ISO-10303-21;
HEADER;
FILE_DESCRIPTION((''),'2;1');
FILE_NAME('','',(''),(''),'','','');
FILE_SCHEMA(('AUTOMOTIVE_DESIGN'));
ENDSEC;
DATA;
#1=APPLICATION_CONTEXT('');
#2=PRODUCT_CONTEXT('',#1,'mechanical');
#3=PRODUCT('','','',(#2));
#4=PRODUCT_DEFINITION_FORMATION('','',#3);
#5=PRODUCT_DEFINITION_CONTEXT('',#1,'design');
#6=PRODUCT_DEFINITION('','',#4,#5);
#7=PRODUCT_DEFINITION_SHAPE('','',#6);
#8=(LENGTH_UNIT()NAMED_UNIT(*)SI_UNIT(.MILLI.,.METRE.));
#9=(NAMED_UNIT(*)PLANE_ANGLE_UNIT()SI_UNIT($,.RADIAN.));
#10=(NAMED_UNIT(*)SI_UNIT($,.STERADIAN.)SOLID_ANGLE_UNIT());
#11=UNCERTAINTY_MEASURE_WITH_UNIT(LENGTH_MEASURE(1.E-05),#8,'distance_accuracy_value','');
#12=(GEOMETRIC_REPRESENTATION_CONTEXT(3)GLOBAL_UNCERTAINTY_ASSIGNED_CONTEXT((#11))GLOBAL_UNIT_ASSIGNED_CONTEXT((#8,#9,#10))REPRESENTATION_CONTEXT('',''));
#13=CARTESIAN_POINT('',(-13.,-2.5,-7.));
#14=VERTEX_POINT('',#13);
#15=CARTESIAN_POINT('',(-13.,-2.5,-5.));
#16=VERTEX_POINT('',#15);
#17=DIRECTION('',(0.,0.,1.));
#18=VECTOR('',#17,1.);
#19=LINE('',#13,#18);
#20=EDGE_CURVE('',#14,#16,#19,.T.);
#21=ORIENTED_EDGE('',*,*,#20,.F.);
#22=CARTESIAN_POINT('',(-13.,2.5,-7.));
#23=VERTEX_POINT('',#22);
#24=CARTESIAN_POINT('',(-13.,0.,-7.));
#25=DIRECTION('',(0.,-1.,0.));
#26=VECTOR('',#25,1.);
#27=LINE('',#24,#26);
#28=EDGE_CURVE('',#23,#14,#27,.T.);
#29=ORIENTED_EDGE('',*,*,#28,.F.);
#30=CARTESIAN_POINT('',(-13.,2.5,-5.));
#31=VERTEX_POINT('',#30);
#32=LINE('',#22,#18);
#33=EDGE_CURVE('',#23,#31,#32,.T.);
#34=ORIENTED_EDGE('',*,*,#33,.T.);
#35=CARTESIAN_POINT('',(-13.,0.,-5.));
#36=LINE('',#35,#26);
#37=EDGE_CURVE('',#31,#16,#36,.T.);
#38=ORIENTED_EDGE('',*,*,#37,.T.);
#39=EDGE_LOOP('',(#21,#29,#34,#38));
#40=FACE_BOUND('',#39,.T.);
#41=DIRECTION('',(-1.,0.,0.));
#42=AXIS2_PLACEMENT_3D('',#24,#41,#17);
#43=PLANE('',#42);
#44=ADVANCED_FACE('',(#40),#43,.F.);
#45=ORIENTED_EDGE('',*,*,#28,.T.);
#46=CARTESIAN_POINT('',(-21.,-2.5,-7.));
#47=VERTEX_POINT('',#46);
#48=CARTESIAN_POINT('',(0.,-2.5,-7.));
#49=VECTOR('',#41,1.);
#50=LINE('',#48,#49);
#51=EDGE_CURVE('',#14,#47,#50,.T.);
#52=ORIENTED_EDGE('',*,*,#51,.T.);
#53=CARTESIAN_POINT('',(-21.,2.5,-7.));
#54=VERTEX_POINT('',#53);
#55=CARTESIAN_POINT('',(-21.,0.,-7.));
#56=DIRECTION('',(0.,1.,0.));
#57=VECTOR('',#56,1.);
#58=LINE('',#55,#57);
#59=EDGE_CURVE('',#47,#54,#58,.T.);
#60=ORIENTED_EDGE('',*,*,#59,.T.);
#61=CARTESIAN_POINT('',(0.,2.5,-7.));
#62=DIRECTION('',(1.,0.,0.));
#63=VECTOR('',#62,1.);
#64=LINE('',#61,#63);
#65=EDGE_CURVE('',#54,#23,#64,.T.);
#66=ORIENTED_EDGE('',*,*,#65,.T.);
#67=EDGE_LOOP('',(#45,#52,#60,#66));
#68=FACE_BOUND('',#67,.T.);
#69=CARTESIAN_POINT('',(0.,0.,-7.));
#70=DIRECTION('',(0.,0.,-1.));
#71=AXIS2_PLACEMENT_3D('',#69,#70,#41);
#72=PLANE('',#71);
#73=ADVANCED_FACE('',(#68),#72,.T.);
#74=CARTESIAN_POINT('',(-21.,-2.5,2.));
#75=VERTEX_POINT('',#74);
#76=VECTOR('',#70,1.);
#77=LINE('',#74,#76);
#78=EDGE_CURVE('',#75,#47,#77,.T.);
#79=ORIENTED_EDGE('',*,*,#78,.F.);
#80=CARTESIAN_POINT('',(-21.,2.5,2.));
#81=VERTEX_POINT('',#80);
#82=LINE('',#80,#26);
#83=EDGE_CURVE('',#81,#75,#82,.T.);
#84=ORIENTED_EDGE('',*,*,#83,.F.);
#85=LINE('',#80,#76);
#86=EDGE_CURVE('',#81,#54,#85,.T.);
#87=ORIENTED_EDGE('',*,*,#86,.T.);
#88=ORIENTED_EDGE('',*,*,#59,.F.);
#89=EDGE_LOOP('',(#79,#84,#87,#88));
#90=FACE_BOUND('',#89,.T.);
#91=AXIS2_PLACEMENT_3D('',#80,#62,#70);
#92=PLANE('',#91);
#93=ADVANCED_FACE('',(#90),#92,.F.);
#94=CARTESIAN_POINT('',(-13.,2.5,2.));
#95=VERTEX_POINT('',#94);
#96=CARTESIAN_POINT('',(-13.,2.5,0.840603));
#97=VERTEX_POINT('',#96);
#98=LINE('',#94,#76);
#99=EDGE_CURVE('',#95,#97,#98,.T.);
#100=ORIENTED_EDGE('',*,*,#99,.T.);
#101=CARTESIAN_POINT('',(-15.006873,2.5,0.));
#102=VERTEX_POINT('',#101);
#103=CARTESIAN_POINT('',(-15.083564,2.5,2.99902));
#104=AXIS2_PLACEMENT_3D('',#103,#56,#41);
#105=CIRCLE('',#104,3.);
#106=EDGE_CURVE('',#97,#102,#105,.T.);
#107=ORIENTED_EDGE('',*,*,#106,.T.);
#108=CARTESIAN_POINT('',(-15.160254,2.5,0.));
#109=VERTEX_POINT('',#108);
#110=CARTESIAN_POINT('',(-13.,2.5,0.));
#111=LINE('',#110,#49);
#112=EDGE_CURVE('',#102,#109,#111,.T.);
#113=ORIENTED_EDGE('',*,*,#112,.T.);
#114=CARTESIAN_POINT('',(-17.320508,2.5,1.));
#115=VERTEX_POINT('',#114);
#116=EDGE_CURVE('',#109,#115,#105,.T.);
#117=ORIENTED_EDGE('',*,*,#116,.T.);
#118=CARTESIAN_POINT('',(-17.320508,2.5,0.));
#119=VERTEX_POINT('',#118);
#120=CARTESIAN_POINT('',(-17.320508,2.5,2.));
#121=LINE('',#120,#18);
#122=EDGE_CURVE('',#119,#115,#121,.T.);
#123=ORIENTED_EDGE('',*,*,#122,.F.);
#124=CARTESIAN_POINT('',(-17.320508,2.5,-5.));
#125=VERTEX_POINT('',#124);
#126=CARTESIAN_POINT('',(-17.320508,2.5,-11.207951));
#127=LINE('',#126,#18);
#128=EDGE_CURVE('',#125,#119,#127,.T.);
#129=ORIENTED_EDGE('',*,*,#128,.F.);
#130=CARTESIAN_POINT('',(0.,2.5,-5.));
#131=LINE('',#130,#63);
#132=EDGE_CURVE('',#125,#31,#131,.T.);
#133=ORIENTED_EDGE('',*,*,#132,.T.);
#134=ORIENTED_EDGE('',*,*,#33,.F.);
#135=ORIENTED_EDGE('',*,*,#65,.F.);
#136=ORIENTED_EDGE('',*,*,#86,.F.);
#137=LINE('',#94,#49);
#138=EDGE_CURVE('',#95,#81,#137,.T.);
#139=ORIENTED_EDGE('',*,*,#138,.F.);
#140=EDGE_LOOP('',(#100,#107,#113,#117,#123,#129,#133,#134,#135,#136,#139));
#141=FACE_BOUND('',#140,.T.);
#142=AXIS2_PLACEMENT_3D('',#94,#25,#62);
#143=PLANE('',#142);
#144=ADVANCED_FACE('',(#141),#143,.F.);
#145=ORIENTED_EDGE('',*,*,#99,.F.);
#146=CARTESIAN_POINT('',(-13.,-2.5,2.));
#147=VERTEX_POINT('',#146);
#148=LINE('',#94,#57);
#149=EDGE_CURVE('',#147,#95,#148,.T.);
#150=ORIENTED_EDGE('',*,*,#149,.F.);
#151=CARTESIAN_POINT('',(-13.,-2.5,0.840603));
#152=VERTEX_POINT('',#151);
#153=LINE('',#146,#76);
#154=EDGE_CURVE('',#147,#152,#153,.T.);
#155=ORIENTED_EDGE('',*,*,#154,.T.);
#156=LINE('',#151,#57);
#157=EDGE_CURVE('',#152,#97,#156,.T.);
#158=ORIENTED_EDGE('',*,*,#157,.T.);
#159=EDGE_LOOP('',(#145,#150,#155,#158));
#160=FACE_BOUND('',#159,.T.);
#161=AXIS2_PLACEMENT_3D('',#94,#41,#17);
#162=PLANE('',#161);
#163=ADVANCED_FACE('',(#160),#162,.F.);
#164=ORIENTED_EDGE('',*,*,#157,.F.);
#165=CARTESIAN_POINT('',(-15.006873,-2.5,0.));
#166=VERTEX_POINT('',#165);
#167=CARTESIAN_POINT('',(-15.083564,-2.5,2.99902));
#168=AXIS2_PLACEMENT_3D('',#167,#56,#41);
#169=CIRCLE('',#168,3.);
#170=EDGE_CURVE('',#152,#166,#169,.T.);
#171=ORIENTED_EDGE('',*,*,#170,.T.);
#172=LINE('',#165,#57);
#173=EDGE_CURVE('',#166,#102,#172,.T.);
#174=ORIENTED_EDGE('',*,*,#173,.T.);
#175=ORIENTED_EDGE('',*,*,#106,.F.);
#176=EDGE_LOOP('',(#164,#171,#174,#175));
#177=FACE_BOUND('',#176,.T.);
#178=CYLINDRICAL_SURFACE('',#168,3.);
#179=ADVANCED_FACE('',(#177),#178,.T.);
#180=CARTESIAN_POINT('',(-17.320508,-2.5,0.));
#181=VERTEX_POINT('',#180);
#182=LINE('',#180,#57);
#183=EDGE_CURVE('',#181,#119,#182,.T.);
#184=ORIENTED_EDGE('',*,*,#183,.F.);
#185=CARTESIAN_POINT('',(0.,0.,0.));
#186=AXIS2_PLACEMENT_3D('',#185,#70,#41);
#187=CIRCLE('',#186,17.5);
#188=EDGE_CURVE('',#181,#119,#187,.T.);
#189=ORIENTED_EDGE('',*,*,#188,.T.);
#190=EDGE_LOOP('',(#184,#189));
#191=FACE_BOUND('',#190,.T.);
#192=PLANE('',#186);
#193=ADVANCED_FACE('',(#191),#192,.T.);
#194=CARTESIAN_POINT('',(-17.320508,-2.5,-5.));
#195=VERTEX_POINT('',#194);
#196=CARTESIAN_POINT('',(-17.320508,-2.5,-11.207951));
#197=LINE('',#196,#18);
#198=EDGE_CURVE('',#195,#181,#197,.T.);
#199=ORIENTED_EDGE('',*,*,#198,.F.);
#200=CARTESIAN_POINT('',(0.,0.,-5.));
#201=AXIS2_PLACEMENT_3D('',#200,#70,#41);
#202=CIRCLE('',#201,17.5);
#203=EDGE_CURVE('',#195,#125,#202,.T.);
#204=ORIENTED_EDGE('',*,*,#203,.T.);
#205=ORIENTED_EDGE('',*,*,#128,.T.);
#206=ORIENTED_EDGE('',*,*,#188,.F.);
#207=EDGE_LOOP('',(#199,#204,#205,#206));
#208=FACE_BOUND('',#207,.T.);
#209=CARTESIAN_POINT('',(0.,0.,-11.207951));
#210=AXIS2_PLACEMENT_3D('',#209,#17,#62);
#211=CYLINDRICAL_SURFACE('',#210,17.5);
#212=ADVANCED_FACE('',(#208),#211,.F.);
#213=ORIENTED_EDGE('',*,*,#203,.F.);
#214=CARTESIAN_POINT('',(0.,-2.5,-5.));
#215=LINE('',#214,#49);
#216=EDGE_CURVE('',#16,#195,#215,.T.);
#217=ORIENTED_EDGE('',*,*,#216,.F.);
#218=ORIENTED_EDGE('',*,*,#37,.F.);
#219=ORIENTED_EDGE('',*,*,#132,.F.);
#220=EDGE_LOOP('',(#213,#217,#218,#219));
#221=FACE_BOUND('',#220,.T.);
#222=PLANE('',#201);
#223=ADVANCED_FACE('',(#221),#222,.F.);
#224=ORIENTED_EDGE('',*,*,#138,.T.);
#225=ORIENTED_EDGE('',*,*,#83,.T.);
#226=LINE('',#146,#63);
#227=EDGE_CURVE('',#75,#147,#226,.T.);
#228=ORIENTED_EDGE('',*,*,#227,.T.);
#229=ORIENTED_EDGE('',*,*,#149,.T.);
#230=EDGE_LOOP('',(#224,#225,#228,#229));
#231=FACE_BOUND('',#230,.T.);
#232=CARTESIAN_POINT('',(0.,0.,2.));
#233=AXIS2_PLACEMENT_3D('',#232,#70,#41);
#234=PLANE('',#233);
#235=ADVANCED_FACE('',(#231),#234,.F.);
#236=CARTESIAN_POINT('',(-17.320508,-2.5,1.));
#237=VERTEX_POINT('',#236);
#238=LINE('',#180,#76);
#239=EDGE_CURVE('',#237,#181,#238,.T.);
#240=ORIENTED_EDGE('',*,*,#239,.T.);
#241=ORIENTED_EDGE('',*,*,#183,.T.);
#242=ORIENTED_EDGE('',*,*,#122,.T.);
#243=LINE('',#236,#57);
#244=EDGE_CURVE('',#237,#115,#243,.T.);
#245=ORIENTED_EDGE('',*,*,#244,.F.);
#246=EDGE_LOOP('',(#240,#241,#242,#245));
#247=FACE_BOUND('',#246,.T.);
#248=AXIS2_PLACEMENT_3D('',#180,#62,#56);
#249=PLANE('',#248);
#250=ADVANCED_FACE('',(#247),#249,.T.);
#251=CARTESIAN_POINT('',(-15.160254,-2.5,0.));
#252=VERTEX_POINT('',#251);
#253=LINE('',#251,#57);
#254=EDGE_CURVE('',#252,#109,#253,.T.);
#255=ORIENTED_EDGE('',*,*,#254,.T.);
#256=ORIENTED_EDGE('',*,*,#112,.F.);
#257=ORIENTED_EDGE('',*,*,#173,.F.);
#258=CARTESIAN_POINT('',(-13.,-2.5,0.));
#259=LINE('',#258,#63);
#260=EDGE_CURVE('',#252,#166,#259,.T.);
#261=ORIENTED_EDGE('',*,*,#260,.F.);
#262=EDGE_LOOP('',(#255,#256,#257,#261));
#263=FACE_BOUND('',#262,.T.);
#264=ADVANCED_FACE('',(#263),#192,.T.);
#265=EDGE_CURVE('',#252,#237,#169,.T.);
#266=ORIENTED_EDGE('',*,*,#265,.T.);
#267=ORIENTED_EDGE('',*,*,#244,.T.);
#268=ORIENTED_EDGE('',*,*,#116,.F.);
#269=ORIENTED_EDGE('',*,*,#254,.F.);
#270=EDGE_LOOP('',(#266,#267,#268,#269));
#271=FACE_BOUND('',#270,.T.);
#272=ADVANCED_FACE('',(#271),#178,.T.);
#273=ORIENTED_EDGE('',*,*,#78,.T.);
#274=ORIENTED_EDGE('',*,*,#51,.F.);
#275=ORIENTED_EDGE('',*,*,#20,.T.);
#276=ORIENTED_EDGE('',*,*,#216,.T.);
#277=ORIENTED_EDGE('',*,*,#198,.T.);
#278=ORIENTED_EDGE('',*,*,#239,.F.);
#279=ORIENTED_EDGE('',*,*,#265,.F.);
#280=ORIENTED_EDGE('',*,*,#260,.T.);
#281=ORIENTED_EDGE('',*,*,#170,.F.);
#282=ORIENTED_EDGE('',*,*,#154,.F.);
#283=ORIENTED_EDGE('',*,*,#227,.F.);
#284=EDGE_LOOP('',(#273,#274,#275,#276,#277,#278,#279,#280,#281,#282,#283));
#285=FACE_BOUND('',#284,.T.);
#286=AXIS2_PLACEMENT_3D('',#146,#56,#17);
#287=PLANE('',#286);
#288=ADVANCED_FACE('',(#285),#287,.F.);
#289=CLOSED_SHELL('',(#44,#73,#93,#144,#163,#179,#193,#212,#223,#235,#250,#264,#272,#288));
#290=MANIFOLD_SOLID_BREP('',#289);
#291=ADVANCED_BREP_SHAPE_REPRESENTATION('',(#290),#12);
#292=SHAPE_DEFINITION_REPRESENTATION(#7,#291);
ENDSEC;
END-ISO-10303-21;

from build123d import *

# Parameters (mm, degrees)
SKETCH1_W               = 8
SKETCH1_H               = 5
BOSS_EXTRUDE1_DEPTH     = 2
BOSS_EXTRUDE2_DEPTH     = 5
BOSS_EXTRUDE5_DEPTH     = 2
CUT_EXTRUDE2_DEPTH      = 1
CUT_EXTRUDE2_DEPTH_BACK = 6


with BuildPart() as part:
    # Sketch1 → Boss-Extrude1 (new body)
    with BuildSketch(Plane.XY):
        with Locations((-17, 0)):
            Rectangle(SKETCH1_W, SKETCH1_H)
    extrude(amount=BOSS_EXTRUDE1_DEPTH)

    # Sketch2 → Boss-Extrude2 (add)
    with BuildSketch(Plane(origin=(0, 0, 0), x_dir=(-1, 0, 0), z_dir=(0, 0, -1))):
        with BuildLine():
            Line((21, 2.5), (17.320508076, 2.5))
            ThreePointArc((17.320508076, 2.5), (17.5, 0), (17.320508076, -2.5))
            Line((17.320508076, -2.5), (21, -2.5))
            Line((21, -2.5), (21, 2.5))
        make_face()
    extrude(amount=BOSS_EXTRUDE2_DEPTH)

    # Sketch3 → Boss-Extrude5 (add)
    with BuildSketch(Plane(origin=(0, 0, -5), x_dir=(-1, 0, 0), z_dir=(0, 0, -1))):
        with BuildLine():
            Line((21, 2.5), (17.320508076, 2.5))
            ThreePointArc((17.320508076, 2.5), (17.5, 0), (17.320508076, -2.5))
            Line((17.320508076, -2.5), (21, -2.5))
            Line((21, -2.5), (21, 2.5))
        make_face()
        with BuildLine():
            Line((17.320508076, 2.5), (13, 2.5))
            Line((13, 2.5), (13, -2.5))
            Line((13, -2.5), (17.320508076, -2.5))
            ThreePointArc((17.320508076, -2.5), (17.5, 0), (17.320508076, 2.5))
        make_face()
    extrude(amount=BOSS_EXTRUDE5_DEPTH)

    # Sketch4 → Cut-Extrude2 (cut, two sides)
    with BuildSketch(Plane(origin=(0, 2.5, 0), x_dir=(1, 0, 0), z_dir=(0, 1, 0))) as cut_extrude2_sk:
        with BuildLine():
            Line((-13, 0), (-15.006873144, 0))
            ThreePointArc((-15.006873144, 0), (-13.924543455, -0.231950336), (-13, -0.840602876))
            Line((-13, -0.840602876), (-13, 0))
        make_face()
        with BuildLine():
            ThreePointArc((-17.320508076, -1), (-16.343812237, -0.276562376), (-15.160254038, 0))
            Line((-15.160254038, 0), (-17.320508076, 0))
            Line((-17.320508076, 0), (-17.320508076, -1))
        make_face()
    extrude(amount=CUT_EXTRUDE2_DEPTH, mode=Mode.SUBTRACT)
    extrude(cut_extrude2_sk.sketch, amount=-CUT_EXTRUDE2_DEPTH_BACK, mode=Mode.SUBTRACT)


solid = part.part
